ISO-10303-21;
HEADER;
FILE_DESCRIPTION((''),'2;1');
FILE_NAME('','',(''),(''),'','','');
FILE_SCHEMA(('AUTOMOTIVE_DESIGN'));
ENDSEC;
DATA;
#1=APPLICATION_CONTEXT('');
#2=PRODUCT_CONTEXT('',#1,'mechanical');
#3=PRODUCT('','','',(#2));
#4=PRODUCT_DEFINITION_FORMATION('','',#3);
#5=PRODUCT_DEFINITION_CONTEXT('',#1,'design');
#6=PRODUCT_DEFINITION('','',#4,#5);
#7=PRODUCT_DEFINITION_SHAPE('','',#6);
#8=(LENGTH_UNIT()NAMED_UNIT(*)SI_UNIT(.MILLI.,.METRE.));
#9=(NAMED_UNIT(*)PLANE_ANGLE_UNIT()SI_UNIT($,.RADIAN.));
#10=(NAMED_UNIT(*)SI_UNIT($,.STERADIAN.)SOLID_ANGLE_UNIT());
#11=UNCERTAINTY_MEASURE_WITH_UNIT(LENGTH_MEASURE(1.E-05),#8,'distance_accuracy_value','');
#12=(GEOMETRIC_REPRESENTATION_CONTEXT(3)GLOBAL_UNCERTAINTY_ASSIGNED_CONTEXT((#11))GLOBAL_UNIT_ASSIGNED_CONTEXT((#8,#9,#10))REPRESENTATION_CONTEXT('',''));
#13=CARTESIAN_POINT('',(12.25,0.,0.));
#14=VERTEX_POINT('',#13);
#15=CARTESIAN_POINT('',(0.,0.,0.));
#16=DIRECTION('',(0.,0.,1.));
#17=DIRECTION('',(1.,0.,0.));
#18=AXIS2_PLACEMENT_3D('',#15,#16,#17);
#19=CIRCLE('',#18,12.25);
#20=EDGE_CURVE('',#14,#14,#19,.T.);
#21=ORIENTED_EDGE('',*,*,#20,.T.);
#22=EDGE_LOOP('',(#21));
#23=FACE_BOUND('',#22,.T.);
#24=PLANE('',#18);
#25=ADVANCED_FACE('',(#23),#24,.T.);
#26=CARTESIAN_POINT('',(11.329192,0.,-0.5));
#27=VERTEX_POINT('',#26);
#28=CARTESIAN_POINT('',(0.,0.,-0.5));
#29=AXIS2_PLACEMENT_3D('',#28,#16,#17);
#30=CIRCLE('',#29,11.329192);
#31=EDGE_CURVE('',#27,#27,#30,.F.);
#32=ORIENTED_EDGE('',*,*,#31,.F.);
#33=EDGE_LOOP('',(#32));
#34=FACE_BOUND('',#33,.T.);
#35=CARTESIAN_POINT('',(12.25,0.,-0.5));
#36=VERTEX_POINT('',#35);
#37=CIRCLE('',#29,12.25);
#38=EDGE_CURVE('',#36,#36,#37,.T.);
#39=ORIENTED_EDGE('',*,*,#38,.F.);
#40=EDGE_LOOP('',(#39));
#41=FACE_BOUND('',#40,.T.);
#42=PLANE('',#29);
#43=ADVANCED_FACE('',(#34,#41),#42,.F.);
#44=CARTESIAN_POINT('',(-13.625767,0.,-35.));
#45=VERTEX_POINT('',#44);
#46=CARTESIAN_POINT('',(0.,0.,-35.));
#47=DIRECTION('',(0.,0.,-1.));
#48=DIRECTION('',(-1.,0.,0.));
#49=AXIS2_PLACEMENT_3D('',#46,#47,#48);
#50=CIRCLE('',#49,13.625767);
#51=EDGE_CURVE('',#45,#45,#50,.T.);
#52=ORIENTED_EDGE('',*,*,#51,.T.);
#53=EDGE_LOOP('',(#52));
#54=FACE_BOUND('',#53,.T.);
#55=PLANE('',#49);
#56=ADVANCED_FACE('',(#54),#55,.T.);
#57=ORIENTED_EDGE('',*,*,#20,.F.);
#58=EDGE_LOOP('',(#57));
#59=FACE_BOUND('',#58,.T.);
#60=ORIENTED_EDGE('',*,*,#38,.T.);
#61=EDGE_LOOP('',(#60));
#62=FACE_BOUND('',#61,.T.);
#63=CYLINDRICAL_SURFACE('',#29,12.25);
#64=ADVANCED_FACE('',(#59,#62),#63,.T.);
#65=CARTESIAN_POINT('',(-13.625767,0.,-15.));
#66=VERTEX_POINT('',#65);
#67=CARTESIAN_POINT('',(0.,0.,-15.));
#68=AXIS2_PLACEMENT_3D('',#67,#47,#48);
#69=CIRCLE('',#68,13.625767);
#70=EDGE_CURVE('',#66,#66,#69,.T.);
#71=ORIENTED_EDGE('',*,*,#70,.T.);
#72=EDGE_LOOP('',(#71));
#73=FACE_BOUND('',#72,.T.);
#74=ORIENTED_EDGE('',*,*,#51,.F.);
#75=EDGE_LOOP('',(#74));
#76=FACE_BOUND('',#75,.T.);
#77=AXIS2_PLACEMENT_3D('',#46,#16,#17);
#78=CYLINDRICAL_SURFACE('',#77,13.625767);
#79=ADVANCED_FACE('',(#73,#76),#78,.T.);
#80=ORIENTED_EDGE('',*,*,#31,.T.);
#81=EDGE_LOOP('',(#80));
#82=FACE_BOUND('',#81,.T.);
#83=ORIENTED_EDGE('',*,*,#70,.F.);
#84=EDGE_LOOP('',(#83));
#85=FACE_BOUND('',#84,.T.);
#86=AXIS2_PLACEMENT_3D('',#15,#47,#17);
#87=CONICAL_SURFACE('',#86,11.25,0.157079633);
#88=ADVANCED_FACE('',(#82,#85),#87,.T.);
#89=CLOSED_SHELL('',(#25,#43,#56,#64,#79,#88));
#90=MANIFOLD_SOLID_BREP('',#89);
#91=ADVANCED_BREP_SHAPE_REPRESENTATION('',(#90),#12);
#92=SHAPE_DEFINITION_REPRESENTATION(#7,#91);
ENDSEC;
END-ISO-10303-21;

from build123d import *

# Parameters (mm, degrees)
SKETCH1_R           = 11.25
BOSS_EXTRUDE1_DEPTH = 15
BOSS_EXTRUDE1_DRAFT = 9
SKETCH1_3_R         = 12.25
BOSS_EXTRUDE2_DEPTH = 0.5
SKETCH2_R           = 13.625766605
BOSS_EXTRUDE3_DEPTH = 20


with BuildPart() as part:
    # Sketch1 → Boss-Extrude1 (with draft: the straight prism first)
    with BuildSketch(Plane.XY):
        Circle(SKETCH1_R)
    extrude(amount=-BOSS_EXTRUDE1_DEPTH)
    # Boss-Extrude1: the draft: its side faces are tilted about the plane it starts from
    boss_extrude1_sides = [part.faces().sort_by_distance(p)[0] for p in [
        (-11.25, 0, -7.5),
    ]]
    draft(boss_extrude1_sides, Plane.XY, BOSS_EXTRUDE1_DRAFT)

    # Sketch1<3> → Boss-Extrude2 (add)
    with BuildSketch(Plane.XY):
        Circle(SKETCH1_3_R)
    extrude(amount=-BOSS_EXTRUDE2_DEPTH)

    # Sketch2 → Boss-Extrude3 (add)
    with BuildSketch(Plane(origin=(0, 0, -15), x_dir=(-1, 0, 0), z_dir=(0, 0, -1))):
        Circle(SKETCH2_R)
    extrude(amount=BOSS_EXTRUDE3_DEPTH)


solid = part.part
